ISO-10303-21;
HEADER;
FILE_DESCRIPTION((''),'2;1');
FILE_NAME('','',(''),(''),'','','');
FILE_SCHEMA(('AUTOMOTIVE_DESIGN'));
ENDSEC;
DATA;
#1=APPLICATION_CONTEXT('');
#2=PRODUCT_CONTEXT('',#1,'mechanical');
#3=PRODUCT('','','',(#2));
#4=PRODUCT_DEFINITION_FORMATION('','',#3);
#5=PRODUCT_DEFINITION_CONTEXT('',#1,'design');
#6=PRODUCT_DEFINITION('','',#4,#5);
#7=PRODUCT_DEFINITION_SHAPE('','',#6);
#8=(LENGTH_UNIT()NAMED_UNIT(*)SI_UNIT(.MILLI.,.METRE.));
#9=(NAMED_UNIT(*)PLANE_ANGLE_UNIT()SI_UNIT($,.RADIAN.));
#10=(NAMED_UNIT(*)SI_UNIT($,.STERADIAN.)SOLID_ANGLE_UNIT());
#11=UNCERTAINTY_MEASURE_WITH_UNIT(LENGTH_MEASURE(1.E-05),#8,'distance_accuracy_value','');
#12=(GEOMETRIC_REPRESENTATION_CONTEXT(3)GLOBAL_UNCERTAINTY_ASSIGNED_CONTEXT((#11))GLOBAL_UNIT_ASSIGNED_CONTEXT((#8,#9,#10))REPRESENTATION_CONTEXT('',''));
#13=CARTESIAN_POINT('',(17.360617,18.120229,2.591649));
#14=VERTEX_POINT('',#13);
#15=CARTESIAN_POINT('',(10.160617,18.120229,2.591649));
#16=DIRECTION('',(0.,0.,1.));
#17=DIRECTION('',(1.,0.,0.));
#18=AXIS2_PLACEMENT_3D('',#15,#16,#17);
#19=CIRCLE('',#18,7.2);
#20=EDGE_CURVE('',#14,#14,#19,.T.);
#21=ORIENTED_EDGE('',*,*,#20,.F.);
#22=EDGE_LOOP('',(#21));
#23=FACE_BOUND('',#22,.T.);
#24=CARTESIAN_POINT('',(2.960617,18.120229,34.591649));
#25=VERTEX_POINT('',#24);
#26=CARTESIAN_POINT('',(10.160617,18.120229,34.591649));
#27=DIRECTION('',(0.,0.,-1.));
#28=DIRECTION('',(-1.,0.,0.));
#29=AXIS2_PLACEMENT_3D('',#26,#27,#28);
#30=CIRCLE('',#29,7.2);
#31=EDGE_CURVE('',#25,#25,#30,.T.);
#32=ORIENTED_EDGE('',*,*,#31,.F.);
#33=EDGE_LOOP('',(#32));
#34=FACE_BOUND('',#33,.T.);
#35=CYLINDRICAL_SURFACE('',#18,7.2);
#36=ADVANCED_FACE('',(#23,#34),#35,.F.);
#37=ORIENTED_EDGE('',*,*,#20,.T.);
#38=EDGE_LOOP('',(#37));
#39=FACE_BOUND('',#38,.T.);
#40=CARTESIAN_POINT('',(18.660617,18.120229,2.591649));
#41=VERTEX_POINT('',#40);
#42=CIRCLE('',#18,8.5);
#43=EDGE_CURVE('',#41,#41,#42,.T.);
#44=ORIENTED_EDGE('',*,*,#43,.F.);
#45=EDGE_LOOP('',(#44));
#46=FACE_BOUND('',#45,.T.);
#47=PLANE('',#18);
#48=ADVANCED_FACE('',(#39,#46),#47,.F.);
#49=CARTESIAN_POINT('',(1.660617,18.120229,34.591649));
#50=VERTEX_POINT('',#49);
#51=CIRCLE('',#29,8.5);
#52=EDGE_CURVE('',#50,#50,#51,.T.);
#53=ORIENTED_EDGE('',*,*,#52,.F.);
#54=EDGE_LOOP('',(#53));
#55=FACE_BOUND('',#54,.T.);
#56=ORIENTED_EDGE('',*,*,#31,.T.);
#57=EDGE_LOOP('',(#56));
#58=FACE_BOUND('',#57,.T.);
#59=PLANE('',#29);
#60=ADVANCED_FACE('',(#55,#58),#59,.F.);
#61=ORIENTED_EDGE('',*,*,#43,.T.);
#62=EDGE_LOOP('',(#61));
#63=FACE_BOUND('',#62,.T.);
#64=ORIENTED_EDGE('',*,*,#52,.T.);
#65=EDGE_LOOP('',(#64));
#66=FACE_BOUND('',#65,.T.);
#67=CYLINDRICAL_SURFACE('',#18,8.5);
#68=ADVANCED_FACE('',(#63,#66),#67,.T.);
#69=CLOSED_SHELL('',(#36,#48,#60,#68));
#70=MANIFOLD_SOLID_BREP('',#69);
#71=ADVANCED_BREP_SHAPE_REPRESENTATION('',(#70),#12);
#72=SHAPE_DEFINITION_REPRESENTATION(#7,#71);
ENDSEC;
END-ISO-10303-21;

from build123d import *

# Parameters (mm, degrees)
BOSS_EXTRUDE1_DEPTH      = 2
BOSS_EXTRUDE1_DEPTH_BACK = 30
SKETCH1_R                = 8.5
SKETCH1_R_2              = 7.2


with BuildPart() as part:
    # Sketch1 → Boss-Extrude1 (new, two sides: drawn at the far end of the back side and taken through both)
    with BuildSketch(Plane.XY.offset(32.591649273).offset(-BOSS_EXTRUDE1_DEPTH_BACK)):
        with Locations((10.160617153, 18.12022925)):
            Circle(SKETCH1_R)
        with Locations((10.160617153, 18.12022925)):
            Circle(SKETCH1_R_2, mode=Mode.SUBTRACT)
    extrude(amount=BOSS_EXTRUDE1_DEPTH + BOSS_EXTRUDE1_DEPTH_BACK)


solid = part.part
